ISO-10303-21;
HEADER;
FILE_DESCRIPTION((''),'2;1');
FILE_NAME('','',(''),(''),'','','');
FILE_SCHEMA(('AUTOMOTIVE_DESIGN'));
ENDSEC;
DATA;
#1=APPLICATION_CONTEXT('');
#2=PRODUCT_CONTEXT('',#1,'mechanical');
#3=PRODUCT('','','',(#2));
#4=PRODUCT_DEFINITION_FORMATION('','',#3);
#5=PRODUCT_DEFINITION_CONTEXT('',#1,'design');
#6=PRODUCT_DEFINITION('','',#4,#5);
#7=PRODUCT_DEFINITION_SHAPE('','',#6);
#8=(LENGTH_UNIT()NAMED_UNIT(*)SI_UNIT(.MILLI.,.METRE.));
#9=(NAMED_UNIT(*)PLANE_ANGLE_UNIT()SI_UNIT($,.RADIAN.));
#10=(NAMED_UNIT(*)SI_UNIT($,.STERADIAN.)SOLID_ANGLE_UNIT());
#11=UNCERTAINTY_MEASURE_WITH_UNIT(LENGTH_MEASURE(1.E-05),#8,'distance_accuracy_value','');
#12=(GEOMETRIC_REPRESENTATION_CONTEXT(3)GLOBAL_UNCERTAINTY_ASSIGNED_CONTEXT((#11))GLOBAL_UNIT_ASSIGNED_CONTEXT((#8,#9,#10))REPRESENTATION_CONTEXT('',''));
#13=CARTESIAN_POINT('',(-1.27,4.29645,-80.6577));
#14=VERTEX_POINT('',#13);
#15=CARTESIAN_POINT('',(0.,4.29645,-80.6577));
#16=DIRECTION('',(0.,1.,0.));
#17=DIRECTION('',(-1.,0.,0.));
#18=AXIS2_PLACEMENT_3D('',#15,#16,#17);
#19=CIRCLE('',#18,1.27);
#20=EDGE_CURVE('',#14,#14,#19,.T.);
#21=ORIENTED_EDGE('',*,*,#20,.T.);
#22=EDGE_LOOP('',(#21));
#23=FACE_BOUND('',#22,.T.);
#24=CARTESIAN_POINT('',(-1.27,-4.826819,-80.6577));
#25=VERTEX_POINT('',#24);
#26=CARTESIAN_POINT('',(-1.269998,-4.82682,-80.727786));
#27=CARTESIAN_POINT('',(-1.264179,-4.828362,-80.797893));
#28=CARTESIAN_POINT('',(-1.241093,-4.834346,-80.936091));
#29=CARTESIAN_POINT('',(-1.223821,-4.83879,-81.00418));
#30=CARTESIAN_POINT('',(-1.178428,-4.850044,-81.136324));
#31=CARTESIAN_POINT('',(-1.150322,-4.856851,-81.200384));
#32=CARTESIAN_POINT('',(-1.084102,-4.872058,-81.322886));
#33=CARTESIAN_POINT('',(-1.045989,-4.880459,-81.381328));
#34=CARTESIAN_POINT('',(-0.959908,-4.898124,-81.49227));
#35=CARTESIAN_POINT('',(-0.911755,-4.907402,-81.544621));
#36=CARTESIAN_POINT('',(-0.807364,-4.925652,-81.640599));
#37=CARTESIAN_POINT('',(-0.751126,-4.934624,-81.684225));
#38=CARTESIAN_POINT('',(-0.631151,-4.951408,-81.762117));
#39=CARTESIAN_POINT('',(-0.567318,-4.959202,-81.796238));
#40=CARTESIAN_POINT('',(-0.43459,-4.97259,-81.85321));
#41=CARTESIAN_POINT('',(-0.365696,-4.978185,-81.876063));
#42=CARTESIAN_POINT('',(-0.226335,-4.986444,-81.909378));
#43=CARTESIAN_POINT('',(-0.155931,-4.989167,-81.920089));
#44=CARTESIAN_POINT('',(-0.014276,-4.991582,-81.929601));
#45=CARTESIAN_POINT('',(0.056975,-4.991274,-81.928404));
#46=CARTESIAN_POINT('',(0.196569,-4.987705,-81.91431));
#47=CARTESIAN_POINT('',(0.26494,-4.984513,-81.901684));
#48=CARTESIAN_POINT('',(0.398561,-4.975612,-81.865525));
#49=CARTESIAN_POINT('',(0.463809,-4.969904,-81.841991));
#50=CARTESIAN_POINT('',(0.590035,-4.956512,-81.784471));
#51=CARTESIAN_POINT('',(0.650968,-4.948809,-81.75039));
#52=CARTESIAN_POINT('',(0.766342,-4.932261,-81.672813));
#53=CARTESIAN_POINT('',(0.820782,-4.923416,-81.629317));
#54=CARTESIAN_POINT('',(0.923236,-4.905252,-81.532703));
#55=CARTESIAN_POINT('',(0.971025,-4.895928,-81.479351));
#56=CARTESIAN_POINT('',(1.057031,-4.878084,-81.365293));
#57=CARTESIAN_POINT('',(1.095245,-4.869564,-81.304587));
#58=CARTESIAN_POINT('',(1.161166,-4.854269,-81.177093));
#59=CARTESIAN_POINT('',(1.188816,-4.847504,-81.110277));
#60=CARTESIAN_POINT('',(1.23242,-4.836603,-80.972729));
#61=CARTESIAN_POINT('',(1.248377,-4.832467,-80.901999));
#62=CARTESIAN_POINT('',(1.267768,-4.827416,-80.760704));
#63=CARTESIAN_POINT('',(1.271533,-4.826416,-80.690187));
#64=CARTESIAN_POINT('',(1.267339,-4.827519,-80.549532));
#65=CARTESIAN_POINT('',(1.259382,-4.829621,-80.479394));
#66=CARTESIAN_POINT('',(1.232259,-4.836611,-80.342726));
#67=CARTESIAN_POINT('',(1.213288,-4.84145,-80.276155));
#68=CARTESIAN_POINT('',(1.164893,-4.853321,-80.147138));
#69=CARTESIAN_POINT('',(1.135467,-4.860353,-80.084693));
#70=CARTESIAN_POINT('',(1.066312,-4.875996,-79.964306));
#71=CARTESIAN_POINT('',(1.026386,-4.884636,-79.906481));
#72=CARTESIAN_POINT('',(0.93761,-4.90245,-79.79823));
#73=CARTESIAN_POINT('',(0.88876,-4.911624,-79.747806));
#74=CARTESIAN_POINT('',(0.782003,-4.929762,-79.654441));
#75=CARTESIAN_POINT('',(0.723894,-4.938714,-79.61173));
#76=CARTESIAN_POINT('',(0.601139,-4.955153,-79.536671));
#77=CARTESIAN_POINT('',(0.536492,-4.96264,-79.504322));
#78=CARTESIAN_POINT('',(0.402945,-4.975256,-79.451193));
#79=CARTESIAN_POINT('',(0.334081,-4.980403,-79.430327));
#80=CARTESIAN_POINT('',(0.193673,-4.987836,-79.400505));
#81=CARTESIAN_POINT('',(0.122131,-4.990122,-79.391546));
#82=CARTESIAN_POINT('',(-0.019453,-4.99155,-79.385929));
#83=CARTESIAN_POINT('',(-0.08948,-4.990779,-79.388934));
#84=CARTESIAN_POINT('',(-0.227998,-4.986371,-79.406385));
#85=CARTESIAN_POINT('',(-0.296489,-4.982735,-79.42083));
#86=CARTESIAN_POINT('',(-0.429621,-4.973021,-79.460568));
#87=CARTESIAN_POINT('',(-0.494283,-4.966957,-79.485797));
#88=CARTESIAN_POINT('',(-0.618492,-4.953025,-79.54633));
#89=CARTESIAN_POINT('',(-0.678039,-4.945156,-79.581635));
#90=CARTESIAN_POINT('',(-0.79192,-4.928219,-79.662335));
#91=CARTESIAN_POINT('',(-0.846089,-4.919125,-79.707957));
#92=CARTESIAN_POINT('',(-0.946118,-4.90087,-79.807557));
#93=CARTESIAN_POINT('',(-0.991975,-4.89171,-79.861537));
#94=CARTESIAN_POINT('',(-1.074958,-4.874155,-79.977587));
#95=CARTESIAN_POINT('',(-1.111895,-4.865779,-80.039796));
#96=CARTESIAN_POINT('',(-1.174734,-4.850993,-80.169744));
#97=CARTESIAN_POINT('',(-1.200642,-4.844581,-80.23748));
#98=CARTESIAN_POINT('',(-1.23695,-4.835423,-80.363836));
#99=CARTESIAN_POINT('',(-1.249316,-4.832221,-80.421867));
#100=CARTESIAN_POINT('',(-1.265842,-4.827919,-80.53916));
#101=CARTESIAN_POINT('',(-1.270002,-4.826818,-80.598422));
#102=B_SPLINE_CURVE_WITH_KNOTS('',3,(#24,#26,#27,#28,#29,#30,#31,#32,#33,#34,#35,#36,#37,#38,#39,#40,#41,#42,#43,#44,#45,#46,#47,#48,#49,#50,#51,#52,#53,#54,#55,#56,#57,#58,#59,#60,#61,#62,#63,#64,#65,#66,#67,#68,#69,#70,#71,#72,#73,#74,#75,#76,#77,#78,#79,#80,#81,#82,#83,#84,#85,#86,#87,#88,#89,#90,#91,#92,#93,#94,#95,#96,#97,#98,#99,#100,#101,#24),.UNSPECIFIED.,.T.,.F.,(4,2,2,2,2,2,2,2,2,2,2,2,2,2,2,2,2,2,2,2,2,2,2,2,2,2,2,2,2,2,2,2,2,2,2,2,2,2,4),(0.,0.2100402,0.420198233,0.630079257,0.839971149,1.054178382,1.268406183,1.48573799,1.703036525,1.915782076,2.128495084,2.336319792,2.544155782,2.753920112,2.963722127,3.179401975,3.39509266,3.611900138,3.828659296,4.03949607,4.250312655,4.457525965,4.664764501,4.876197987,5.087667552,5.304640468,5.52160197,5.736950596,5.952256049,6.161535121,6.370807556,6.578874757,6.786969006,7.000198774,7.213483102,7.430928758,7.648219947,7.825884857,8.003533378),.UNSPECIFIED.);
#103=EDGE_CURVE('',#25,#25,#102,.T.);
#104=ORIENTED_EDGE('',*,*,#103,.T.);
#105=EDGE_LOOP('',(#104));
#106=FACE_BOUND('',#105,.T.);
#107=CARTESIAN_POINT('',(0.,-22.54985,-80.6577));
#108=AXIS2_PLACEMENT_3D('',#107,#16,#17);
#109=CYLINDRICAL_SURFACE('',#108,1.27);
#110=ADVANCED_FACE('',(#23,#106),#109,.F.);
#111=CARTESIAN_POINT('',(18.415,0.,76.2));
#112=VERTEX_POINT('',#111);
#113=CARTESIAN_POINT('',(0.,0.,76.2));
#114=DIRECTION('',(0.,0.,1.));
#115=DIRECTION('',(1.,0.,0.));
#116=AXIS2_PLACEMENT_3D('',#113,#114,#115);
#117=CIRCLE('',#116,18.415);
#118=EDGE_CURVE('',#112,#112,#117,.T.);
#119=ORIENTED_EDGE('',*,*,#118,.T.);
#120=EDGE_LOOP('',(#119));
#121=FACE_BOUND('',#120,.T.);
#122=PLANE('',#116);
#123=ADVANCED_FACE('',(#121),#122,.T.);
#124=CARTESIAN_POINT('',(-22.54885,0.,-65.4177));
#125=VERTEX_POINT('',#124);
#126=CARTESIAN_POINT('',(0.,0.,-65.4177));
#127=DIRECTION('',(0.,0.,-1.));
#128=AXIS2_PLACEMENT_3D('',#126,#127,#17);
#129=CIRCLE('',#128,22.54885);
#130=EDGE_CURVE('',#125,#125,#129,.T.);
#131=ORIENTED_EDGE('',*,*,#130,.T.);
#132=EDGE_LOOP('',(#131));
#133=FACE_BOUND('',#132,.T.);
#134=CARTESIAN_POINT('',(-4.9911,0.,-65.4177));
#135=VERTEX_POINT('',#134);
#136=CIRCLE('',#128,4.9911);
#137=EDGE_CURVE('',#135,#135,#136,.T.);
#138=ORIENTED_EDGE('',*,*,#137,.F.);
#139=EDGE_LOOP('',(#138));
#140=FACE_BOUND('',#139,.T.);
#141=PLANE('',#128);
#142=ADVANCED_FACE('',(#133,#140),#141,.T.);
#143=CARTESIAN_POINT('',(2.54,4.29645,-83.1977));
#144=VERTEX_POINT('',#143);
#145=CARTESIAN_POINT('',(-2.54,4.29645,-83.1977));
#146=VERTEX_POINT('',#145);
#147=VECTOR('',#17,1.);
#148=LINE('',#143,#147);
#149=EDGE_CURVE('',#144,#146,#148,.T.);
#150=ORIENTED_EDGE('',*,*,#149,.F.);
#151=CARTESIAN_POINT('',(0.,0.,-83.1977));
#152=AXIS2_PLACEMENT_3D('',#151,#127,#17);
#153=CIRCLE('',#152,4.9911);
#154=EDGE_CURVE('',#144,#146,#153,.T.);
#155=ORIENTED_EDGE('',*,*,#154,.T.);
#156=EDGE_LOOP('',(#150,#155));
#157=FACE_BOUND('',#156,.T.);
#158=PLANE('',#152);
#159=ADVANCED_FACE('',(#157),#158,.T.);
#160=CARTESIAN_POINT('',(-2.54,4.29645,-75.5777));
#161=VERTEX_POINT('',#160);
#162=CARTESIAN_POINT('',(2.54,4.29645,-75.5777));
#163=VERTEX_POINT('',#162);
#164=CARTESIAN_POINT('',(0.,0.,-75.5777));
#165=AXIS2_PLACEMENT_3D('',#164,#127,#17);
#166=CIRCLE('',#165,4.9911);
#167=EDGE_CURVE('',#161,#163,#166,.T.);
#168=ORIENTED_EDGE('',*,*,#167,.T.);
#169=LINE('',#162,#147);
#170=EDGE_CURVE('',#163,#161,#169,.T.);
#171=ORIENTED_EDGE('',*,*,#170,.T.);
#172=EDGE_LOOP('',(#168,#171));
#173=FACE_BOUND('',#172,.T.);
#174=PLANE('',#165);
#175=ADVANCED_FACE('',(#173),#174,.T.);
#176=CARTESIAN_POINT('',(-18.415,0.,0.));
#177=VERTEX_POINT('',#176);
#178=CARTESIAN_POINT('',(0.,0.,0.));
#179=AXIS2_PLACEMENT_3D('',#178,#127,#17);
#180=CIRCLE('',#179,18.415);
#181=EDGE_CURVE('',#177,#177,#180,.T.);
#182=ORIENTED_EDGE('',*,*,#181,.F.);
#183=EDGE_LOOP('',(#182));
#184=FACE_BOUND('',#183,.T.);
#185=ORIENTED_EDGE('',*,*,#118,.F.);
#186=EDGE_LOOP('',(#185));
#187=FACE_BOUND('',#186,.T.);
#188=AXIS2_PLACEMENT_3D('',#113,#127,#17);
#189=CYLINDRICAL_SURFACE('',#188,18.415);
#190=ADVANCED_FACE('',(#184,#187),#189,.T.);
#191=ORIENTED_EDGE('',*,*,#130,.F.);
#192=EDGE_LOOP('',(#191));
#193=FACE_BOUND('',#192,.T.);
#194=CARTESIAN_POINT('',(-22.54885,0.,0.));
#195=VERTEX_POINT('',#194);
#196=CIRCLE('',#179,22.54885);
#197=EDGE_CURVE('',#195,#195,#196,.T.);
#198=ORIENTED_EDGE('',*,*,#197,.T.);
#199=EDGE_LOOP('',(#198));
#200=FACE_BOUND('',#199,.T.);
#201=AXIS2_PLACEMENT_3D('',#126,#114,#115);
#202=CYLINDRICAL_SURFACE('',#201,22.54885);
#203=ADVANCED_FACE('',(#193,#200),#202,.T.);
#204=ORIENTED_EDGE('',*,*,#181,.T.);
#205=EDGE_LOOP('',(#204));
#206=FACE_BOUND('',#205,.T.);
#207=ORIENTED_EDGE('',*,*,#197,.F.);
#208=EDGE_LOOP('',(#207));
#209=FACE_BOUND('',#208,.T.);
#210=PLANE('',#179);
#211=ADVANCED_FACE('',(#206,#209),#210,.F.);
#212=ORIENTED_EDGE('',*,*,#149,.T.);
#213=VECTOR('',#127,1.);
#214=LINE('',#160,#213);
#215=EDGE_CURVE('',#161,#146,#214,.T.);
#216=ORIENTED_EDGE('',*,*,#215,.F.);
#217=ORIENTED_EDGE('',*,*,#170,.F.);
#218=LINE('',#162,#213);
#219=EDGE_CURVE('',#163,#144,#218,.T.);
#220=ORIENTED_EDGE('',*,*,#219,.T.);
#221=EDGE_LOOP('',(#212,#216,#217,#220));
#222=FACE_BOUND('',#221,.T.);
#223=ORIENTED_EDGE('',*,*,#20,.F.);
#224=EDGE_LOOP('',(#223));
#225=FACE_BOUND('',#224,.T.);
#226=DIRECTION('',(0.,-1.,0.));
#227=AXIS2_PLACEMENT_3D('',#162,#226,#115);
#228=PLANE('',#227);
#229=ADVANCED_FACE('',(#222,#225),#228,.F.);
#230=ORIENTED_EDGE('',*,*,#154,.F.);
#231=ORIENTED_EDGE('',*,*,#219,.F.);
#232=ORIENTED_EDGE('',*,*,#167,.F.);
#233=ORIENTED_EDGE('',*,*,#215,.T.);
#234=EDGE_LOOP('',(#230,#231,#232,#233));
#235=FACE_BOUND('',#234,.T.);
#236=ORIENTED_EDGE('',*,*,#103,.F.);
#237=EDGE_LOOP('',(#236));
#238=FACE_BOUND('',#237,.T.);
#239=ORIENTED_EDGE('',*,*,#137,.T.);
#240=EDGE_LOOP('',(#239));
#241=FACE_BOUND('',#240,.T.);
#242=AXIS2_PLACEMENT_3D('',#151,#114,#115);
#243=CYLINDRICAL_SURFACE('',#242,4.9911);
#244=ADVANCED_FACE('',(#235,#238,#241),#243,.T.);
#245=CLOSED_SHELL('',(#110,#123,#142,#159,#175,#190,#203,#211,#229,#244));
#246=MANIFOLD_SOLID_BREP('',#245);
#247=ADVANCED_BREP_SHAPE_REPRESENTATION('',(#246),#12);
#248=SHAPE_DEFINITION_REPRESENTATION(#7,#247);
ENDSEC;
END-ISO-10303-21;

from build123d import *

# Parameters (mm, degrees)
SKETCH1_R           = 18.415
BOSS_EXTRUDE1_DEPTH = 76.2
SKETCH2_R           = 22.54885
BOSS_EXTRUDE2_DEPTH = 65.4177
SKETCH3_R           = 4.9911
BOSS_EXTRUDE3_DEPTH = 17.78
SKETCH5_W           = 5.08
SKETCH5_H           = 1.253731976
CUT_EXTRUDE1_DEPTH  = 7.62
CUT_EXTRUDE2_REACH  = 28.845
SKETCH6_R           = 1.27


with BuildPart() as part:
    # Sketch1 → Boss-Extrude1 (new body)
    with BuildSketch(Plane.XY):
        Circle(SKETCH1_R)
    extrude(amount=BOSS_EXTRUDE1_DEPTH)

    # Sketch2 → Boss-Extrude2 (add)
    with BuildSketch(Plane(origin=(0, 0, 0), x_dir=(-1, 0, 0), z_dir=(0, 0, -1))):
        Circle(SKETCH2_R)
    extrude(amount=BOSS_EXTRUDE2_DEPTH)

    # Sketch3 → Boss-Extrude3 (add)
    with BuildSketch(Plane(origin=(0, 0, -65.4177), x_dir=(-1, 0, 0), z_dir=(0, 0, -1))):
        Circle(SKETCH3_R)
    extrude(amount=BOSS_EXTRUDE3_DEPTH)

    # Sketch5 → Cut-Extrude1 (cut)
    with BuildSketch(Plane(origin=(0, 0, -83.1977), x_dir=(-1, 0, 0), z_dir=(0, 0, -1))):
        with Locations((0, 4.923315593)):
            Rectangle(SKETCH5_W, SKETCH5_H)
    extrude(amount=-CUT_EXTRUDE1_DEPTH, mode=Mode.SUBTRACT)

    # Sketch6 → Cut-Extrude2 (cut, up to next)
    with BuildSketch(Plane(origin=(0, 4.296449605, 0), x_dir=(1, 0, 0), z_dir=(0, 1, 0)), mode=Mode.PRIVATE) as cut_extrude2_sk1:
        with Locations((0, 80.6577)):
            Circle(SKETCH6_R)
    cut_extrude2_tool1 = extrude(cut_extrude2_sk1.sketch, amount=-CUT_EXTRUDE2_REACH, mode=Mode.PRIVATE) & part.part
    add(cut_extrude2_tool1.solids().sort_by_distance((0, 4.29645, -80.6577))[0], mode=Mode.SUBTRACT)


solid = part.part
